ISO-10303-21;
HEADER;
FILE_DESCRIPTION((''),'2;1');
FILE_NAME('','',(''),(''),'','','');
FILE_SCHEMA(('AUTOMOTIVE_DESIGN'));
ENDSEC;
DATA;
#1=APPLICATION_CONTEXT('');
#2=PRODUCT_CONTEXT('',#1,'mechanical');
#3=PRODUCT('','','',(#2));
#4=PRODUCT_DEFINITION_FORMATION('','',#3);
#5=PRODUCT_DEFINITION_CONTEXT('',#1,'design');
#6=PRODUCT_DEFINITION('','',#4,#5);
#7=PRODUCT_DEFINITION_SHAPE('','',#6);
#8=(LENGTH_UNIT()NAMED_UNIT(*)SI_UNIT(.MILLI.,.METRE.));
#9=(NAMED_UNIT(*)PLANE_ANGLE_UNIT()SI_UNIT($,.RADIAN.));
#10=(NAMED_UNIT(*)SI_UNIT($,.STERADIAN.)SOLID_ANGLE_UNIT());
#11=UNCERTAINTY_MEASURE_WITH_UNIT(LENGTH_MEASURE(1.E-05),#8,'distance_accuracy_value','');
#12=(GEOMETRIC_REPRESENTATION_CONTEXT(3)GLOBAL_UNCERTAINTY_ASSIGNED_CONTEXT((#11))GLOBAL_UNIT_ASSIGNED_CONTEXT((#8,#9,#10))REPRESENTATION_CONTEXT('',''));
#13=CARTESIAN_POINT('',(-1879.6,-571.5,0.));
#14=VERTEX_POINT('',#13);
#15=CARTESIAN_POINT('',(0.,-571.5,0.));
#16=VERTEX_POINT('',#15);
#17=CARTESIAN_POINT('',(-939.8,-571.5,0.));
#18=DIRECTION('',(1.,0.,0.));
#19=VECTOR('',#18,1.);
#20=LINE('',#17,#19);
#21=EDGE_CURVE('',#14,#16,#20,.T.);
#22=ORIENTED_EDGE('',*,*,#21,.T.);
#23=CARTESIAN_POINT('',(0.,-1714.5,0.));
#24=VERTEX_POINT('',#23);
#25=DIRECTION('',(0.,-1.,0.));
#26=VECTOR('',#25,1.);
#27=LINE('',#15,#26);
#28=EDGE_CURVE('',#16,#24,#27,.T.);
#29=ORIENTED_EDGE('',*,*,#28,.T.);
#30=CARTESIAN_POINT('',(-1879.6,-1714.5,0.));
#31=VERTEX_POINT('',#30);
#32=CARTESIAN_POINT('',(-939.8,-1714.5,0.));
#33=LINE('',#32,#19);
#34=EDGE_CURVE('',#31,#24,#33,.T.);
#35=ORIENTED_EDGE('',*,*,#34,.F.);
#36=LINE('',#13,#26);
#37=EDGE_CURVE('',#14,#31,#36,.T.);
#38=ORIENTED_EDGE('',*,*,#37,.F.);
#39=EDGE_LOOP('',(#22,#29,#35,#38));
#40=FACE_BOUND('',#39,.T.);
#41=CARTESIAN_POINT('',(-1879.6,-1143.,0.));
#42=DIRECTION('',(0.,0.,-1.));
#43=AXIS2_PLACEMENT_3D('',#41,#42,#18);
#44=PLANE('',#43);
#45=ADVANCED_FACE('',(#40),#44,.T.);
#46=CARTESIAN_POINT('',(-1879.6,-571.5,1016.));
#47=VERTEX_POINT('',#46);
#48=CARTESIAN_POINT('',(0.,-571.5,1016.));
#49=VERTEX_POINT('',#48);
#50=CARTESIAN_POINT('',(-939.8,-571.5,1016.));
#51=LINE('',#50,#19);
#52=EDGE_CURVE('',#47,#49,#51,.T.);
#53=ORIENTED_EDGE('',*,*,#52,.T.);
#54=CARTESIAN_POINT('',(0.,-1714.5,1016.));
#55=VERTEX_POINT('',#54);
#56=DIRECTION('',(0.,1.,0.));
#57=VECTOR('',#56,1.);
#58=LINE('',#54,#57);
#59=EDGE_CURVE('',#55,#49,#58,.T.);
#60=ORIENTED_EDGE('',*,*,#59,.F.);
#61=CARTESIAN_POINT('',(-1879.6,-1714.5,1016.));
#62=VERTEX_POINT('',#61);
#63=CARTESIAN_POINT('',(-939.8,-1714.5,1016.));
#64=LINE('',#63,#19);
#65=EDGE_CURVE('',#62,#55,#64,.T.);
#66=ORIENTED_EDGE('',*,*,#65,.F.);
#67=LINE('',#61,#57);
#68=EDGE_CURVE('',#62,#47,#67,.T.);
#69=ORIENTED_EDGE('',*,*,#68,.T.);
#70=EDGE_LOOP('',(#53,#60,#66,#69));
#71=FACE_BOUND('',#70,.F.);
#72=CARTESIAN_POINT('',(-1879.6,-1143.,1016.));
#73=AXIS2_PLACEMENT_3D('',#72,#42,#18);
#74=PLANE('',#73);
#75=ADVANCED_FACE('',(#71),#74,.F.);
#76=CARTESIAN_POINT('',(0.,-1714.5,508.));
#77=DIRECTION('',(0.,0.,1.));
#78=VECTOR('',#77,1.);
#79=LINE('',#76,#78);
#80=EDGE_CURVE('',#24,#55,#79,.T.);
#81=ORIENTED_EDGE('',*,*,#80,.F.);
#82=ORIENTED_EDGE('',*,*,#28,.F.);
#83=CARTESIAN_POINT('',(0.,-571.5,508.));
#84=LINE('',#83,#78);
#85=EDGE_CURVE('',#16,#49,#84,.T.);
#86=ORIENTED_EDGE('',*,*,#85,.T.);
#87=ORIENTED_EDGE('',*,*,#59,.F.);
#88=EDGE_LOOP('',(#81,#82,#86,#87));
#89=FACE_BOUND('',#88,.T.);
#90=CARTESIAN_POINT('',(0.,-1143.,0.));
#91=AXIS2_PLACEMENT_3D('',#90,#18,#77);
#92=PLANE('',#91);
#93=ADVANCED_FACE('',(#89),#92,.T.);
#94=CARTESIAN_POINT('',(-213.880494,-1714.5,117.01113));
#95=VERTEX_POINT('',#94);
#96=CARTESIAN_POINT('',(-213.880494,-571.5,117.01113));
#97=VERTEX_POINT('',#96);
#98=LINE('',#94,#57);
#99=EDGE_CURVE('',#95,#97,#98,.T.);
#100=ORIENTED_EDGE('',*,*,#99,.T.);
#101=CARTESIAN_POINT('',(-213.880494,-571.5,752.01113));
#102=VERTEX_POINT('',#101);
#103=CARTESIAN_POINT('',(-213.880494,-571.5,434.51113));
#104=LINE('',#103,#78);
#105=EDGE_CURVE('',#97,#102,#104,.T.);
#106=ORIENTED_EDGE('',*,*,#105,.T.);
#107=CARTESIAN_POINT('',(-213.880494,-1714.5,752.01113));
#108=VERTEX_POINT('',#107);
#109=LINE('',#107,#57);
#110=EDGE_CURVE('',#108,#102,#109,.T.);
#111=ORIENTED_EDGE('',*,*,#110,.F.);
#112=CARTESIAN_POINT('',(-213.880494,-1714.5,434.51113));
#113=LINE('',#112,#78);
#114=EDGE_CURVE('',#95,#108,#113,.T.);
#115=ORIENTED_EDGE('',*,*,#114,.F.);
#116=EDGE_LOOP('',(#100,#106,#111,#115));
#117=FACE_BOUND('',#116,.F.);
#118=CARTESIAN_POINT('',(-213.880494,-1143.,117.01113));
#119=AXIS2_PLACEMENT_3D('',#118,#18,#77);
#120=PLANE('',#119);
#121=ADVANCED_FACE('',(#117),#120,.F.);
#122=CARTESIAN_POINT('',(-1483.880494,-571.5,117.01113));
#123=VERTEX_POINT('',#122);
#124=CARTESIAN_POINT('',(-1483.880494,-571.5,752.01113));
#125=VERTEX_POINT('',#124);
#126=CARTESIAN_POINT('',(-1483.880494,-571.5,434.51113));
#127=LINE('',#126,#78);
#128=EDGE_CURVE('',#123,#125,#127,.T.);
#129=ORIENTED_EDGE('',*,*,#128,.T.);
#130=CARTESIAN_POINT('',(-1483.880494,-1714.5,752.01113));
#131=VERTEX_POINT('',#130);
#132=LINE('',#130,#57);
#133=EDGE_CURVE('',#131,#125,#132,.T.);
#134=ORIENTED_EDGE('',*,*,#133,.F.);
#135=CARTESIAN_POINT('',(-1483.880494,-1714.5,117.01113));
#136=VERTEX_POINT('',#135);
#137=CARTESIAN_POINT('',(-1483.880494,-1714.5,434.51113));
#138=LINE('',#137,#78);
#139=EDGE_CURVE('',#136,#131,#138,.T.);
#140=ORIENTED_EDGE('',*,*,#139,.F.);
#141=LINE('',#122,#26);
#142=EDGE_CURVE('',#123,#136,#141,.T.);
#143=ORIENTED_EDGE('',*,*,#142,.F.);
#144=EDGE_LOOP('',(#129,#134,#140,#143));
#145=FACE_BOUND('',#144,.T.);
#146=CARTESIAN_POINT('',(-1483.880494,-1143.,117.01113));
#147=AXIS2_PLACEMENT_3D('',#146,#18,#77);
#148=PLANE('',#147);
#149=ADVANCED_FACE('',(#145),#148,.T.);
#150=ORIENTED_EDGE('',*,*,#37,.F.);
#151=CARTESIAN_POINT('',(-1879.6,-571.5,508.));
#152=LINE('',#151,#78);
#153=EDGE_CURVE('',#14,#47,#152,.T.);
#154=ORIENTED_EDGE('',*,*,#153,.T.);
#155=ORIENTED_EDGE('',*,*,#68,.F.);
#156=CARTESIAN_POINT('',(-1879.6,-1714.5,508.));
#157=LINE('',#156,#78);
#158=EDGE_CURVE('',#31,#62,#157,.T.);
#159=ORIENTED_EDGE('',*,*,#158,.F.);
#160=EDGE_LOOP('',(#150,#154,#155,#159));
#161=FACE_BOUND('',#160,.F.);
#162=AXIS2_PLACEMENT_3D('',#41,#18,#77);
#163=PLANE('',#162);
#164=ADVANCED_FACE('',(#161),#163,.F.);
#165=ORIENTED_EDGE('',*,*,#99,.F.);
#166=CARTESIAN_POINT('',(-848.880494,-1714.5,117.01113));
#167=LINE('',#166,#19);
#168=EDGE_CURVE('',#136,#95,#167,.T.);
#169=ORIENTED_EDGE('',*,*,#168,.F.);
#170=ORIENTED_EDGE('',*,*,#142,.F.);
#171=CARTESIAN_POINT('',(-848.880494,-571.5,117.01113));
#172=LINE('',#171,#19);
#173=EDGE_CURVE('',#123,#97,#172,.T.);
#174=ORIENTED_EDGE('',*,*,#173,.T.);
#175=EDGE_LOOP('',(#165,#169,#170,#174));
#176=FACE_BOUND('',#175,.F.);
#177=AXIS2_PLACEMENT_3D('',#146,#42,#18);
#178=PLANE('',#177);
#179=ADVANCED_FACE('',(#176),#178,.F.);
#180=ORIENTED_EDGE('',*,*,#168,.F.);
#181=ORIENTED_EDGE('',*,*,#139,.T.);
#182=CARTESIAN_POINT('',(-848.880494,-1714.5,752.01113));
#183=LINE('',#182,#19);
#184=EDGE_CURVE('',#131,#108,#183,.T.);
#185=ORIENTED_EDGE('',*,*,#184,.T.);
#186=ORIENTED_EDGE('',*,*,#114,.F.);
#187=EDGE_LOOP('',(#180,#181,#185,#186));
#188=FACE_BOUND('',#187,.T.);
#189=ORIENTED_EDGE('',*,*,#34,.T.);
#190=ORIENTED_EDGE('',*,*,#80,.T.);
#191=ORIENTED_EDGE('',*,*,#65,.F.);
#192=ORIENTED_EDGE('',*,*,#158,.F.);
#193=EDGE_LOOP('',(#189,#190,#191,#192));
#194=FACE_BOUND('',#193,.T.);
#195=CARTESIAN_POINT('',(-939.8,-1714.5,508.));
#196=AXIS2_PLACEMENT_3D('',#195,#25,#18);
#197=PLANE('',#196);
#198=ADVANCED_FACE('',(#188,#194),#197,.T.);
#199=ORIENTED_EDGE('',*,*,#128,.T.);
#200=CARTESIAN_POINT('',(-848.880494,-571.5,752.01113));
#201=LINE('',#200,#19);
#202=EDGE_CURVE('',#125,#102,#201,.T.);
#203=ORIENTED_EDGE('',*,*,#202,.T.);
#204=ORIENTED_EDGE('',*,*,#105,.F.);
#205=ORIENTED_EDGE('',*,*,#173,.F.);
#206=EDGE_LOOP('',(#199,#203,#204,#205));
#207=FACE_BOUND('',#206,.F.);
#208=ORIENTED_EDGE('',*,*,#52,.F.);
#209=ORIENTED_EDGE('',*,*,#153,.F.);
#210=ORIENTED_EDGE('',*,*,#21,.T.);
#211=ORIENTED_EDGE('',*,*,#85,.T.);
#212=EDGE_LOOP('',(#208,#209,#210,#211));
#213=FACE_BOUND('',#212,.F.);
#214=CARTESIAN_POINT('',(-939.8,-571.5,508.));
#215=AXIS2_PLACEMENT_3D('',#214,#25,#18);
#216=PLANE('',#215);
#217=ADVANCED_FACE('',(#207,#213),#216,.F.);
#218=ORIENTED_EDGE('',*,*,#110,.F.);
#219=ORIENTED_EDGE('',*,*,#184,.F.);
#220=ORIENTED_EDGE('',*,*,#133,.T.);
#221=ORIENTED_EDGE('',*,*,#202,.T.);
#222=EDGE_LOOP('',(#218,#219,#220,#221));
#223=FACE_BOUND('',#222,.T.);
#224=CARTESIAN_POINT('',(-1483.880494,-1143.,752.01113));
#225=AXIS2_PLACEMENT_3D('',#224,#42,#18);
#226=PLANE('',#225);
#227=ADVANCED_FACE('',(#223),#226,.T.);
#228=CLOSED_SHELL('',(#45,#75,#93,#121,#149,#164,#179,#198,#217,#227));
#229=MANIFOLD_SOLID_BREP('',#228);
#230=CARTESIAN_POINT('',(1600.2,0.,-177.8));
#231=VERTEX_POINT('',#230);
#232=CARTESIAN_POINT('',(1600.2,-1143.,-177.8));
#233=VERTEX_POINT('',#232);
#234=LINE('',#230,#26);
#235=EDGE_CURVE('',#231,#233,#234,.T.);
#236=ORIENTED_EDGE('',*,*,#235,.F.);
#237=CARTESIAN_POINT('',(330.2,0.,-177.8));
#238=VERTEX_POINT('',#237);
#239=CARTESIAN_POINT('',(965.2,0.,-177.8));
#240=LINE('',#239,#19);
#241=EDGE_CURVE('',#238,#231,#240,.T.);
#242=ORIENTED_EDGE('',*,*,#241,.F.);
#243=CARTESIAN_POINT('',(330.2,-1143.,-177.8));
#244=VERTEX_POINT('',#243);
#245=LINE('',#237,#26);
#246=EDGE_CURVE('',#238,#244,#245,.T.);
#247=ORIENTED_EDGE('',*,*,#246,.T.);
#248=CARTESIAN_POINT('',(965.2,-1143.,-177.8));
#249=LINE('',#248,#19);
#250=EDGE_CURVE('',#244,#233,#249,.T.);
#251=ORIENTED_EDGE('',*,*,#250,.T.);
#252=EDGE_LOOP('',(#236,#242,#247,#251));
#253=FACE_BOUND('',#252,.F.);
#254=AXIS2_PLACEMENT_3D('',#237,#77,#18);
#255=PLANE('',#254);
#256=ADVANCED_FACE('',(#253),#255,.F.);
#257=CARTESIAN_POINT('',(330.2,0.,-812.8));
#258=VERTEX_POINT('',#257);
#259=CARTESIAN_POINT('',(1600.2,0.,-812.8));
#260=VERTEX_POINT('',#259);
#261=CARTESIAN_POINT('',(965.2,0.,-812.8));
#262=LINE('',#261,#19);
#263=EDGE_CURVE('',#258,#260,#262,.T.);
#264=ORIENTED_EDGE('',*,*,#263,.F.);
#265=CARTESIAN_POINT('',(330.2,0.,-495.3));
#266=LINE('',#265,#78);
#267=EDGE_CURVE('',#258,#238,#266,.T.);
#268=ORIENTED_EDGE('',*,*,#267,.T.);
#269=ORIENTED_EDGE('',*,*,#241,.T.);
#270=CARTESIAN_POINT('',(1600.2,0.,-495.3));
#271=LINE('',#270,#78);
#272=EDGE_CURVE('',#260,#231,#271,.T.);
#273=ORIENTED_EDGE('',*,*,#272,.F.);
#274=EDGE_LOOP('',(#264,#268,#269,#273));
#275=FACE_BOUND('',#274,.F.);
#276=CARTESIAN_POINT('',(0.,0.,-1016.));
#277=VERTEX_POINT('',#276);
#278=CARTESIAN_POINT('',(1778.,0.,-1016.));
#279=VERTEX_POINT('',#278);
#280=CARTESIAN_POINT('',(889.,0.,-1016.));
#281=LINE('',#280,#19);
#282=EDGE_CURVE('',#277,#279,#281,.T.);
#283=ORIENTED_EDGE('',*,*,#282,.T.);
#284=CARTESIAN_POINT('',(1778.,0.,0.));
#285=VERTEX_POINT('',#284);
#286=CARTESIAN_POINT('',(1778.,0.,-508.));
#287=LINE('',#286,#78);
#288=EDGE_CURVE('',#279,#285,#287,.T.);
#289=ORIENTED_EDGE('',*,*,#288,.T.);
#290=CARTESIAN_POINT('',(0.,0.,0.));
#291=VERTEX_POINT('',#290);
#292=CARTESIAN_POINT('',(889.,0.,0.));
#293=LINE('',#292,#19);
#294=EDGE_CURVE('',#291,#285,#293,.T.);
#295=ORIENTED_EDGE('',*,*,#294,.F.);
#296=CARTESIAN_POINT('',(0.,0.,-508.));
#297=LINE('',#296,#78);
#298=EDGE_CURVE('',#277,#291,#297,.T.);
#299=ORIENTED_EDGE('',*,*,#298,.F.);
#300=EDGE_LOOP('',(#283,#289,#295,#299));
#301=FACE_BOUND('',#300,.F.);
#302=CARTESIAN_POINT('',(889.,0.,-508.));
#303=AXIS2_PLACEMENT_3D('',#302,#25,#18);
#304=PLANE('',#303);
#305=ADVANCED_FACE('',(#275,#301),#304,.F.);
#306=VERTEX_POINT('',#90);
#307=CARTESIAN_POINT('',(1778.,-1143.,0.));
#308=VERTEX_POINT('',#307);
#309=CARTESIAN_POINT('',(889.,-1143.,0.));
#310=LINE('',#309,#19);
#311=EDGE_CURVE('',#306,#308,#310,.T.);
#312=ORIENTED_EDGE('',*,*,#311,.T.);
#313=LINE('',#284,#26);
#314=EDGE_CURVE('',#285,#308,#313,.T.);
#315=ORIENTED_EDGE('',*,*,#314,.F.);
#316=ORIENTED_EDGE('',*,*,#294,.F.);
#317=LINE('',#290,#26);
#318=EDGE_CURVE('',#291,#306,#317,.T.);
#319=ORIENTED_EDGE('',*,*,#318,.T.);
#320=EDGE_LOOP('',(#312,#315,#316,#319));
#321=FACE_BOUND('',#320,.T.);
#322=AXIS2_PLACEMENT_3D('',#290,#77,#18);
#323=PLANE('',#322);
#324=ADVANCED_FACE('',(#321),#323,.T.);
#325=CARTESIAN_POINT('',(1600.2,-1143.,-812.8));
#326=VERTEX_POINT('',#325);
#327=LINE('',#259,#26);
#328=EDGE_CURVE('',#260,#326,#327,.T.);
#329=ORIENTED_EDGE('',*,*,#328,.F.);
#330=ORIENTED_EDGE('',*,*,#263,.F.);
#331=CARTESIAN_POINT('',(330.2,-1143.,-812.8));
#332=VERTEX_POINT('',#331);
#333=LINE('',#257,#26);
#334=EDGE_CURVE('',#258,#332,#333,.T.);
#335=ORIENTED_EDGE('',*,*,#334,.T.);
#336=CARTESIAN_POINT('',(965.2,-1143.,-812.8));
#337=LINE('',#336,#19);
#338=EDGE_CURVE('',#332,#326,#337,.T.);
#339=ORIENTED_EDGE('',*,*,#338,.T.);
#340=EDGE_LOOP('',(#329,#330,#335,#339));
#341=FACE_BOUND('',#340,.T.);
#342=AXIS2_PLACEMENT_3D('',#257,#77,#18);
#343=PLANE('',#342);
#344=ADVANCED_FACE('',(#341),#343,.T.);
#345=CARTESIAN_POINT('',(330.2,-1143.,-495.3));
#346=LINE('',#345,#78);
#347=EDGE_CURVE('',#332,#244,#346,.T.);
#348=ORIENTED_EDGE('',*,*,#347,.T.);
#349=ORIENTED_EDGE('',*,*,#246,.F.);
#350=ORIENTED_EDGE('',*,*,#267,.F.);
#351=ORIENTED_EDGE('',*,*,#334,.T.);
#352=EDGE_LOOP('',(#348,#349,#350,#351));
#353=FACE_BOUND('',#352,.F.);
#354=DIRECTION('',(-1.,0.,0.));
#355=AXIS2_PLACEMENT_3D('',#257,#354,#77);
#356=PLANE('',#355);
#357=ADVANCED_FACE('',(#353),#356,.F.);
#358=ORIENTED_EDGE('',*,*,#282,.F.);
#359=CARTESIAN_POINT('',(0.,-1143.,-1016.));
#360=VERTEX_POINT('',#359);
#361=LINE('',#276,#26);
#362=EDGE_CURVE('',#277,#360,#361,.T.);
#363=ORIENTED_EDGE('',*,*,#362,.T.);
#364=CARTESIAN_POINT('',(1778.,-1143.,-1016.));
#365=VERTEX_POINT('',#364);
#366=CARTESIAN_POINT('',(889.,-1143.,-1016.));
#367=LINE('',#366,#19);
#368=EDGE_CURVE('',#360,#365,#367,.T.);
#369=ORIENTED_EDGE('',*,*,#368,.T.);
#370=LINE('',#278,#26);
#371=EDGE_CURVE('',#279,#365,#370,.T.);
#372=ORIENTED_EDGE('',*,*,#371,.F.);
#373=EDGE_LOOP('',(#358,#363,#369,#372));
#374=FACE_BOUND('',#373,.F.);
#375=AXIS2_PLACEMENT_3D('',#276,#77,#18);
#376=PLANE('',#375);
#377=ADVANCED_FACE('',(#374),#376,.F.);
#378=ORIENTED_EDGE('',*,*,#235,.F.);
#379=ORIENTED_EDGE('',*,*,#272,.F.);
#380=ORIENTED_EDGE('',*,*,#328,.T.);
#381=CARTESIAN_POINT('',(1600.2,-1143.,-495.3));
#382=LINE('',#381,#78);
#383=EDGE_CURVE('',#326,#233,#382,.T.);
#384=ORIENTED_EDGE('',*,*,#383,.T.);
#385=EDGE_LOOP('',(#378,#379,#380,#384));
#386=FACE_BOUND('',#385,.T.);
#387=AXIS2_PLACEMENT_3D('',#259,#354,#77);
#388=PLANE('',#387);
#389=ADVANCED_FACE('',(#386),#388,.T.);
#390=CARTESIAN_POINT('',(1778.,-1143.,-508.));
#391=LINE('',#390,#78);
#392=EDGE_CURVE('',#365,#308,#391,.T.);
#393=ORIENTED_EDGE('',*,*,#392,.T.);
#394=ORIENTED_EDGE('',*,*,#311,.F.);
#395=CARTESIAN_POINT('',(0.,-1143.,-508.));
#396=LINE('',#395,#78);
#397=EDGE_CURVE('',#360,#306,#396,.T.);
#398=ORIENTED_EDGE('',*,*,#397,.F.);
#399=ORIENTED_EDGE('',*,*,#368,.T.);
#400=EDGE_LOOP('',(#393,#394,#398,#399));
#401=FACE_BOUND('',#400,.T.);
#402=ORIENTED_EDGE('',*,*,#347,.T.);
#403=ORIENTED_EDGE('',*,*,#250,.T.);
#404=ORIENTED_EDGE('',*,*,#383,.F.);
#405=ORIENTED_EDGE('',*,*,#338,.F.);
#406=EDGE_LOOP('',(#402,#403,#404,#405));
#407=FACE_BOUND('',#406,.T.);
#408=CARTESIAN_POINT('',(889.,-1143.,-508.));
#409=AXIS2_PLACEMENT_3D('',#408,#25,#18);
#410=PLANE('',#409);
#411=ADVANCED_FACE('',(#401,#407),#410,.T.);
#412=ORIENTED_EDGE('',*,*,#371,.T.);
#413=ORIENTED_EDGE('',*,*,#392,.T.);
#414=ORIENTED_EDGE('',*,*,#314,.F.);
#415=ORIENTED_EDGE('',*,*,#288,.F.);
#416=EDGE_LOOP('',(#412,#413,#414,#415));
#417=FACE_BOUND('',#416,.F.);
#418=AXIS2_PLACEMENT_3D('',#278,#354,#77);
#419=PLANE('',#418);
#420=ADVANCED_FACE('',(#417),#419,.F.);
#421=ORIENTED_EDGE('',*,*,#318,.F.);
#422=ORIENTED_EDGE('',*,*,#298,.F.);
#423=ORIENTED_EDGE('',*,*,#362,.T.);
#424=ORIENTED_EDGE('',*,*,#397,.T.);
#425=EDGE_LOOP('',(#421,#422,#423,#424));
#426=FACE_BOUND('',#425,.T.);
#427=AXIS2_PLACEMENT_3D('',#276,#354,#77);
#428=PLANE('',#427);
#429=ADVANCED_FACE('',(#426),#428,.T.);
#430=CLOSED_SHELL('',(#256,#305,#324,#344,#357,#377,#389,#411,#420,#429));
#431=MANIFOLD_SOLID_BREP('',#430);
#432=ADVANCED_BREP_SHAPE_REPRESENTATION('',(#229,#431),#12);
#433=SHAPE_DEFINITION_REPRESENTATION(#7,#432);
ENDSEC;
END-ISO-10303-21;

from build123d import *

# Parameters (mm, degrees)
F0_W     = 1778
F0_H     = 1016
F0_W_2   = 1270
F0_H_2   = 635
F1_DEPTH = 1143
F2_W     = 1879.6
F2_H     = 1016
F2_W_2   = 1270
F2_H_2   = 635
F3_DEPTH = 571.5


with BuildPart() as f1:
    # F0 (on Front) → F1 (new body)
    with BuildSketch(Plane.XZ):
        with Locations((889, -508)):
            Rectangle(F0_W, F0_H)
        with Locations((965.2, -495.3)):
            Rectangle(F0_W_2, F0_H_2, mode=Mode.SUBTRACT)
    extrude(amount=F1_DEPTH)


with BuildPart() as f3:
    # F2 (on face) → F3 (new body, symmetric)
    with BuildSketch(Plane.XZ.offset(1143)):
        with Locations((-939.8, 508)):
            Rectangle(F2_W, F2_H)
        with Locations((-848.880494, 434.51113)):
            Rectangle(F2_W_2, F2_H_2, mode=Mode.SUBTRACT)
    extrude(amount=F3_DEPTH, both=True)


solid = Compound([f1.part, f3.part])
